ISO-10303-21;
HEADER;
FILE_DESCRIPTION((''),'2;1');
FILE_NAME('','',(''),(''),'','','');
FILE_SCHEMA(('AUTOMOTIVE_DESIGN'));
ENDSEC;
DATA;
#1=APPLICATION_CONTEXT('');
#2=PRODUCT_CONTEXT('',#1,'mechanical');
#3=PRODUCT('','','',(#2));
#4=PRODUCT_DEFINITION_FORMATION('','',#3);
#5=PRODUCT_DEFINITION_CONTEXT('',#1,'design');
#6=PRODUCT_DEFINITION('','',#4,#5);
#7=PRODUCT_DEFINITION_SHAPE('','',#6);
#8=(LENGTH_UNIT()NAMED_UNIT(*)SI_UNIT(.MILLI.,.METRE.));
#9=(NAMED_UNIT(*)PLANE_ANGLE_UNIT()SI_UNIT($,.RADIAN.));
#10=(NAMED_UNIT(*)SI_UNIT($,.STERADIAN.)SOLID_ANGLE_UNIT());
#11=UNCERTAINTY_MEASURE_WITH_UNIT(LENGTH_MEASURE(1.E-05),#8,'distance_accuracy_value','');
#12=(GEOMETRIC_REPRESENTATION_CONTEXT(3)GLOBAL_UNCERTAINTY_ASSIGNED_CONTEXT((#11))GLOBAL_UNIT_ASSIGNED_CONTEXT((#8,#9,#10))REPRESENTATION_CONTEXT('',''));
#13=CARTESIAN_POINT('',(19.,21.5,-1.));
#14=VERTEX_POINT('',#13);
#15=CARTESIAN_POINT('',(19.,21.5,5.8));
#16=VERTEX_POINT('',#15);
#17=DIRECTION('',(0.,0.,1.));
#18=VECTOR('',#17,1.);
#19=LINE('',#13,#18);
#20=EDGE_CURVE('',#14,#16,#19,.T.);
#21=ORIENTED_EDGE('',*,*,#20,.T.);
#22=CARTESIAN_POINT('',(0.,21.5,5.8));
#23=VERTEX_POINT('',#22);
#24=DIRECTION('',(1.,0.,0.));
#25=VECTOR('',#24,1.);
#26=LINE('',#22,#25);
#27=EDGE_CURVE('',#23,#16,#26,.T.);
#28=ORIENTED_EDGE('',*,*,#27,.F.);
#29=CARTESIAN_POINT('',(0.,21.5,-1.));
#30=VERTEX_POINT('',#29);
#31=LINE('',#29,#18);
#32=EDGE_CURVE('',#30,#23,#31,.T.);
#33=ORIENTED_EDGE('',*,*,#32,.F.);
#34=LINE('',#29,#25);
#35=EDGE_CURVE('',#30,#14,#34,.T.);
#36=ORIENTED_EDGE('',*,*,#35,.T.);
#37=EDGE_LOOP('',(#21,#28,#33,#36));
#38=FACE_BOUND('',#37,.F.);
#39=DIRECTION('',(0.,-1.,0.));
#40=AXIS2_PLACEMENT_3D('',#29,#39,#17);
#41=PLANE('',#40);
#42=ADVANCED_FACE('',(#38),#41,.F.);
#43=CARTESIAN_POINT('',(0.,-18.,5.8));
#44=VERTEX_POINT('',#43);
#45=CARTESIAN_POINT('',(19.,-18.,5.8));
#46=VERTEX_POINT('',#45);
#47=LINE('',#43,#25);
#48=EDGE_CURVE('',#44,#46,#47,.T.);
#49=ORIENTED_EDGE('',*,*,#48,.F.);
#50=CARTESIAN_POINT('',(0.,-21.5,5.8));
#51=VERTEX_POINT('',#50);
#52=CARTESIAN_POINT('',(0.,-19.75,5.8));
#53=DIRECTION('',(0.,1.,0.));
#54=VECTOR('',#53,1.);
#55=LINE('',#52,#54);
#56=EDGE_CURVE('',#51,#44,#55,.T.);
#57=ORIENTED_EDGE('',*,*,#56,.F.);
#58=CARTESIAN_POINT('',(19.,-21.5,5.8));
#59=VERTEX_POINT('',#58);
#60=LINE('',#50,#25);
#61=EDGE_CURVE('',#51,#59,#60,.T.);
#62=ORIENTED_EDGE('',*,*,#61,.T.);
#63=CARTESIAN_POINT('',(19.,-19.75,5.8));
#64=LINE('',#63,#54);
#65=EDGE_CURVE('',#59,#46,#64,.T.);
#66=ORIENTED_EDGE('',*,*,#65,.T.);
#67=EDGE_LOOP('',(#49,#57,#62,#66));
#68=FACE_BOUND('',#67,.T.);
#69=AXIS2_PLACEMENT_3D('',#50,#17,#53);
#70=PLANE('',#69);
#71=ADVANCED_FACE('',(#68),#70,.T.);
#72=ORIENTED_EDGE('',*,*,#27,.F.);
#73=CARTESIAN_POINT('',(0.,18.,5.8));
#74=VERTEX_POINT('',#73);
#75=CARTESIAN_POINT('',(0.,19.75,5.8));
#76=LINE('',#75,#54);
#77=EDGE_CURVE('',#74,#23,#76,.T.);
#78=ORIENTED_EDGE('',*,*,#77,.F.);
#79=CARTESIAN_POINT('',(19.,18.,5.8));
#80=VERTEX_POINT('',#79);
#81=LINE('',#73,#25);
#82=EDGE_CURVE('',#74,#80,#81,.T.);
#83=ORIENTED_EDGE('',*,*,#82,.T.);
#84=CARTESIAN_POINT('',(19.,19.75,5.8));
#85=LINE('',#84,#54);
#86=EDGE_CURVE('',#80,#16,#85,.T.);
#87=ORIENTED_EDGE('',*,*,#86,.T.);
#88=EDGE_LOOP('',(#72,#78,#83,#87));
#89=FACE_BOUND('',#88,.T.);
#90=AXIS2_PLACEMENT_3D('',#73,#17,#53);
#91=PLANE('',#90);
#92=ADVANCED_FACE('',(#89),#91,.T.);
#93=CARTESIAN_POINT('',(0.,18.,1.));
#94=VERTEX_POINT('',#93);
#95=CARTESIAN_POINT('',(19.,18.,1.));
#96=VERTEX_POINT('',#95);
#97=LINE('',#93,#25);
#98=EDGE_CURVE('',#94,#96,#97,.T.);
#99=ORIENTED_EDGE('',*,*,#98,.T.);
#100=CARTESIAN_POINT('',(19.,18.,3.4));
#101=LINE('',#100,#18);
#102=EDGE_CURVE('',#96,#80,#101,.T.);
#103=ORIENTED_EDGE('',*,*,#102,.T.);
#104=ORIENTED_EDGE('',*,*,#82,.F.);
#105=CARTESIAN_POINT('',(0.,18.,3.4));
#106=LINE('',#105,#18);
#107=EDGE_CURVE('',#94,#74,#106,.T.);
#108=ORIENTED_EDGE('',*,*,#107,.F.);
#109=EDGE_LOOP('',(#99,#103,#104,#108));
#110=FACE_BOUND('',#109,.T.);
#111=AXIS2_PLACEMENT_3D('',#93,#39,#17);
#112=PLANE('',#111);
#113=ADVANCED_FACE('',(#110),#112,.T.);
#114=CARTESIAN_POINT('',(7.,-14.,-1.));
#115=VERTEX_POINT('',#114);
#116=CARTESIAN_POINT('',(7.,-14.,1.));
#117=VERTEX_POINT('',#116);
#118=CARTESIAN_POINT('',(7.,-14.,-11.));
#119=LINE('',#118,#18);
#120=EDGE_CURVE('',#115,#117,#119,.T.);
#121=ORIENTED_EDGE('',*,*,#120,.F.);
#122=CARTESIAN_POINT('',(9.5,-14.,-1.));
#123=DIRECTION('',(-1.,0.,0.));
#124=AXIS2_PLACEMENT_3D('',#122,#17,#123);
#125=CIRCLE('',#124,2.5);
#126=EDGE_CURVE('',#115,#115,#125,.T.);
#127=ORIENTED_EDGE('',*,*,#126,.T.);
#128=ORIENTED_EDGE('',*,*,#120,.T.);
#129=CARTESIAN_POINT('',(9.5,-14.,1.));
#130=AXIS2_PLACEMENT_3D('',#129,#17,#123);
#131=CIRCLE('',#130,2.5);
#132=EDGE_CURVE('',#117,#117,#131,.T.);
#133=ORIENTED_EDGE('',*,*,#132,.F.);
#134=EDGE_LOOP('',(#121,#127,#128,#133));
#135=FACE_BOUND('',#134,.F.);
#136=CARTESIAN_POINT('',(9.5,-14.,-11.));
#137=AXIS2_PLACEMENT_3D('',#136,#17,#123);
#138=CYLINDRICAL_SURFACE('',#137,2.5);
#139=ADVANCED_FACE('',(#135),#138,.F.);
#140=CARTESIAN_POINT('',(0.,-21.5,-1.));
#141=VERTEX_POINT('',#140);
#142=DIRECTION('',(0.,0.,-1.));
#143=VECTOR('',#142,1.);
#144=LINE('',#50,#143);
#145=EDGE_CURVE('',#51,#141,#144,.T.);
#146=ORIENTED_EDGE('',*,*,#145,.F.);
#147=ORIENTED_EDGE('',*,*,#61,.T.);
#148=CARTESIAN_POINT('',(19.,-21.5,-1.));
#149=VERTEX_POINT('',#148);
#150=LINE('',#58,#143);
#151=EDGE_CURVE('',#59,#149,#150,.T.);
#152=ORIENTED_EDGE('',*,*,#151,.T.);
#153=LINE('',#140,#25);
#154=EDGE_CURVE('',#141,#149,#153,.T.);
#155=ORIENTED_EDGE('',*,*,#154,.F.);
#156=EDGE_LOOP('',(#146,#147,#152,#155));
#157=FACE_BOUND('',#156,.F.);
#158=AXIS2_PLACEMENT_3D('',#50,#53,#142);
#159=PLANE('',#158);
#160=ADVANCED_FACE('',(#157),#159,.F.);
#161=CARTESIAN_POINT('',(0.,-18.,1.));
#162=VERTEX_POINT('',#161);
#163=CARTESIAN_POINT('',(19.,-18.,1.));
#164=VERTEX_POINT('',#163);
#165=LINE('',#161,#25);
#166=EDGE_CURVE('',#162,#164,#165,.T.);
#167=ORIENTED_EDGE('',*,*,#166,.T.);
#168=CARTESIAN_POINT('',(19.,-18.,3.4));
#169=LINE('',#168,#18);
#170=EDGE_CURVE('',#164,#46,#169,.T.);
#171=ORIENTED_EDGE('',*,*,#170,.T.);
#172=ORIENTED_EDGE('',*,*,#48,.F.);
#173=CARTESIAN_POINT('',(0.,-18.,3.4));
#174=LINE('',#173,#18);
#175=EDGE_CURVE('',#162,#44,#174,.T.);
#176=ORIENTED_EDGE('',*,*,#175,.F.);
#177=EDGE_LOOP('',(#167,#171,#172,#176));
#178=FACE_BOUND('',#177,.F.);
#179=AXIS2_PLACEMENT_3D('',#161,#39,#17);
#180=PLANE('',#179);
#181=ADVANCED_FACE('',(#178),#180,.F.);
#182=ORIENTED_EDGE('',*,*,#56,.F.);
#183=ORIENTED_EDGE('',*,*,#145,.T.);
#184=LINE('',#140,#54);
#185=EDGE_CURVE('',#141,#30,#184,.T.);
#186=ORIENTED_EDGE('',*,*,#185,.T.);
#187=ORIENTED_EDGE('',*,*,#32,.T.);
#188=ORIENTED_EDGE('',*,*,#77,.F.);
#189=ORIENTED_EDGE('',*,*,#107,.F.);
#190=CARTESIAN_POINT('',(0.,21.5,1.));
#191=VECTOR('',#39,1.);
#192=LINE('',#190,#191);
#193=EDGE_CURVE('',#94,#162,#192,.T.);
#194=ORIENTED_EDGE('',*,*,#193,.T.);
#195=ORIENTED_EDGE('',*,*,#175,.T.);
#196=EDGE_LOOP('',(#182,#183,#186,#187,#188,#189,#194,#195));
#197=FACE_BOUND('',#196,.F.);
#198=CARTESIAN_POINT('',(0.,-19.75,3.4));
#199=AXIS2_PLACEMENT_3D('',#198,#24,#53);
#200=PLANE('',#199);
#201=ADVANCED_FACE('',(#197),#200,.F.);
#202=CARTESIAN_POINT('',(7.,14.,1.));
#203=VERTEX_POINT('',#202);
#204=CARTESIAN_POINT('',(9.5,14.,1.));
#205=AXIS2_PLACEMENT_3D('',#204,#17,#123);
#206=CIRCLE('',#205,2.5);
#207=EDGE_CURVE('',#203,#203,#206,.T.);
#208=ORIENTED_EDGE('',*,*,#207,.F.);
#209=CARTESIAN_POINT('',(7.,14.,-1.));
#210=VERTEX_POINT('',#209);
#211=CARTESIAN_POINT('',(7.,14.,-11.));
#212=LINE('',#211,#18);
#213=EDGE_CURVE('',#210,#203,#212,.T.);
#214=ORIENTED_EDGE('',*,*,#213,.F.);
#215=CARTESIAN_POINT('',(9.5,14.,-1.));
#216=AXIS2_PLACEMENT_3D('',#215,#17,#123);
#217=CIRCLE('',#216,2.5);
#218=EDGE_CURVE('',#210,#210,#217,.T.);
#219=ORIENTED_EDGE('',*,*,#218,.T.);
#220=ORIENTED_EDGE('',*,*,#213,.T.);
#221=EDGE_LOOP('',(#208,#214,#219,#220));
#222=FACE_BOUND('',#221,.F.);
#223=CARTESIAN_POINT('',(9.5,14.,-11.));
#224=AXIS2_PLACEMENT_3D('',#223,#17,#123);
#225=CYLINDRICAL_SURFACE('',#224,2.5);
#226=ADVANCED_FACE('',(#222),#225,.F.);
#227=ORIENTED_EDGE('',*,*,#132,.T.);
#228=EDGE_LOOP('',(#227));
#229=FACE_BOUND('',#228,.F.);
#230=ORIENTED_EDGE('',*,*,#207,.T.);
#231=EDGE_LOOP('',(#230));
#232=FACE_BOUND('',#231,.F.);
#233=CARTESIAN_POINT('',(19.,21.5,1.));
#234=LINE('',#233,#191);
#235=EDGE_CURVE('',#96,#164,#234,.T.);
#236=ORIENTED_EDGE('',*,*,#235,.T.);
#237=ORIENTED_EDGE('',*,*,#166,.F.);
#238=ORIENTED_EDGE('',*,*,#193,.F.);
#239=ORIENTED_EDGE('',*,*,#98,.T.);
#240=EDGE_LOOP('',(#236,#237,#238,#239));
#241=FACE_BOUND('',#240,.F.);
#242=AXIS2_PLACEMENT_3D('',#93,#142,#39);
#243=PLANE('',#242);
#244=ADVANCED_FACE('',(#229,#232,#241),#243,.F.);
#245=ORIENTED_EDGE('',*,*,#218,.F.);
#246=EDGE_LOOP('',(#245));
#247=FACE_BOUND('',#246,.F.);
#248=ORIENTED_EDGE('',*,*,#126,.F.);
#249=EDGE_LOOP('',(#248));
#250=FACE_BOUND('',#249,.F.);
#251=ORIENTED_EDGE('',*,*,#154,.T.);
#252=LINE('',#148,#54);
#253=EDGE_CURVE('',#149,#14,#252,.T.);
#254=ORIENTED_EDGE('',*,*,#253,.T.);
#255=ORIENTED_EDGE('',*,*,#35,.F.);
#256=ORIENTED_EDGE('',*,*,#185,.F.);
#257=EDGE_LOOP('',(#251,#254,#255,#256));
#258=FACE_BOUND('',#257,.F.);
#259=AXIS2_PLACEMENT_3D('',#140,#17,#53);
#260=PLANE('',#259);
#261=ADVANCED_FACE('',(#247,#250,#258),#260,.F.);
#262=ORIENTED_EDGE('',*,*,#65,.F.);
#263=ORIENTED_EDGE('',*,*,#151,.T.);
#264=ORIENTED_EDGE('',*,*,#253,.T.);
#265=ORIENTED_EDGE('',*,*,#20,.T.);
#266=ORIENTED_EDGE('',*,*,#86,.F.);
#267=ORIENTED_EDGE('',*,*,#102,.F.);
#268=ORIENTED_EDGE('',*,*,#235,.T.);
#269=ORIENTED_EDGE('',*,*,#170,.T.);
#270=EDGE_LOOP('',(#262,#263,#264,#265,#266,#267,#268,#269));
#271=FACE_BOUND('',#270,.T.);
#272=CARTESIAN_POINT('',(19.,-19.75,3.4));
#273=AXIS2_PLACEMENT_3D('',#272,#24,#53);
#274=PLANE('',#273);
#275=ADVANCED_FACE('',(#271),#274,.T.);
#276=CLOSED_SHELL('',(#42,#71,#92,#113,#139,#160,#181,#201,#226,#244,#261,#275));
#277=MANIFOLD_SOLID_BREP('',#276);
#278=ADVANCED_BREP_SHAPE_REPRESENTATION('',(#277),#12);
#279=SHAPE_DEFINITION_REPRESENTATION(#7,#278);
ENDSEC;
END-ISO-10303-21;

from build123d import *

# Parameters (mm, degrees)
F0_W     = 3.5
F0_H     = 4.8
F1_DEPTH = 19
F3_D     = 5
F3_DEPTH = 10
F3_TIP   = 1.5021515476


with BuildPart() as f1:
    # F0 (on Right) → F1 (new body)
    with BuildSketch(Plane.YZ):
        with Locations((-19.75, 3.4)):
            Rectangle(F0_W, F0_H)
        Polygon((21.5, -1), (21.5, 1), (18, 1), (-18, 1), (-21.5, 1), (-21.5, -1), align=None)
        with Locations((19.75, 3.4)):
            Rectangle(F0_W, F0_H)
    extrude(amount=F1_DEPTH)

    # F3
    with Locations(Plane(origin=(0, 0, -1), x_dir=(1, 0, 0), z_dir=(0, 0, -1))):
        with Locations((9.5, 14), (9.5, -14)):
            Hole(F3_D / 2, depth=F3_DEPTH)
            with Locations((0, 0, -(F3_DEPTH + F3_TIP / 2))):  # 118° drill point
                Cone(0, F3_D / 2, F3_TIP, mode=Mode.SUBTRACT)


solid = f1.part
